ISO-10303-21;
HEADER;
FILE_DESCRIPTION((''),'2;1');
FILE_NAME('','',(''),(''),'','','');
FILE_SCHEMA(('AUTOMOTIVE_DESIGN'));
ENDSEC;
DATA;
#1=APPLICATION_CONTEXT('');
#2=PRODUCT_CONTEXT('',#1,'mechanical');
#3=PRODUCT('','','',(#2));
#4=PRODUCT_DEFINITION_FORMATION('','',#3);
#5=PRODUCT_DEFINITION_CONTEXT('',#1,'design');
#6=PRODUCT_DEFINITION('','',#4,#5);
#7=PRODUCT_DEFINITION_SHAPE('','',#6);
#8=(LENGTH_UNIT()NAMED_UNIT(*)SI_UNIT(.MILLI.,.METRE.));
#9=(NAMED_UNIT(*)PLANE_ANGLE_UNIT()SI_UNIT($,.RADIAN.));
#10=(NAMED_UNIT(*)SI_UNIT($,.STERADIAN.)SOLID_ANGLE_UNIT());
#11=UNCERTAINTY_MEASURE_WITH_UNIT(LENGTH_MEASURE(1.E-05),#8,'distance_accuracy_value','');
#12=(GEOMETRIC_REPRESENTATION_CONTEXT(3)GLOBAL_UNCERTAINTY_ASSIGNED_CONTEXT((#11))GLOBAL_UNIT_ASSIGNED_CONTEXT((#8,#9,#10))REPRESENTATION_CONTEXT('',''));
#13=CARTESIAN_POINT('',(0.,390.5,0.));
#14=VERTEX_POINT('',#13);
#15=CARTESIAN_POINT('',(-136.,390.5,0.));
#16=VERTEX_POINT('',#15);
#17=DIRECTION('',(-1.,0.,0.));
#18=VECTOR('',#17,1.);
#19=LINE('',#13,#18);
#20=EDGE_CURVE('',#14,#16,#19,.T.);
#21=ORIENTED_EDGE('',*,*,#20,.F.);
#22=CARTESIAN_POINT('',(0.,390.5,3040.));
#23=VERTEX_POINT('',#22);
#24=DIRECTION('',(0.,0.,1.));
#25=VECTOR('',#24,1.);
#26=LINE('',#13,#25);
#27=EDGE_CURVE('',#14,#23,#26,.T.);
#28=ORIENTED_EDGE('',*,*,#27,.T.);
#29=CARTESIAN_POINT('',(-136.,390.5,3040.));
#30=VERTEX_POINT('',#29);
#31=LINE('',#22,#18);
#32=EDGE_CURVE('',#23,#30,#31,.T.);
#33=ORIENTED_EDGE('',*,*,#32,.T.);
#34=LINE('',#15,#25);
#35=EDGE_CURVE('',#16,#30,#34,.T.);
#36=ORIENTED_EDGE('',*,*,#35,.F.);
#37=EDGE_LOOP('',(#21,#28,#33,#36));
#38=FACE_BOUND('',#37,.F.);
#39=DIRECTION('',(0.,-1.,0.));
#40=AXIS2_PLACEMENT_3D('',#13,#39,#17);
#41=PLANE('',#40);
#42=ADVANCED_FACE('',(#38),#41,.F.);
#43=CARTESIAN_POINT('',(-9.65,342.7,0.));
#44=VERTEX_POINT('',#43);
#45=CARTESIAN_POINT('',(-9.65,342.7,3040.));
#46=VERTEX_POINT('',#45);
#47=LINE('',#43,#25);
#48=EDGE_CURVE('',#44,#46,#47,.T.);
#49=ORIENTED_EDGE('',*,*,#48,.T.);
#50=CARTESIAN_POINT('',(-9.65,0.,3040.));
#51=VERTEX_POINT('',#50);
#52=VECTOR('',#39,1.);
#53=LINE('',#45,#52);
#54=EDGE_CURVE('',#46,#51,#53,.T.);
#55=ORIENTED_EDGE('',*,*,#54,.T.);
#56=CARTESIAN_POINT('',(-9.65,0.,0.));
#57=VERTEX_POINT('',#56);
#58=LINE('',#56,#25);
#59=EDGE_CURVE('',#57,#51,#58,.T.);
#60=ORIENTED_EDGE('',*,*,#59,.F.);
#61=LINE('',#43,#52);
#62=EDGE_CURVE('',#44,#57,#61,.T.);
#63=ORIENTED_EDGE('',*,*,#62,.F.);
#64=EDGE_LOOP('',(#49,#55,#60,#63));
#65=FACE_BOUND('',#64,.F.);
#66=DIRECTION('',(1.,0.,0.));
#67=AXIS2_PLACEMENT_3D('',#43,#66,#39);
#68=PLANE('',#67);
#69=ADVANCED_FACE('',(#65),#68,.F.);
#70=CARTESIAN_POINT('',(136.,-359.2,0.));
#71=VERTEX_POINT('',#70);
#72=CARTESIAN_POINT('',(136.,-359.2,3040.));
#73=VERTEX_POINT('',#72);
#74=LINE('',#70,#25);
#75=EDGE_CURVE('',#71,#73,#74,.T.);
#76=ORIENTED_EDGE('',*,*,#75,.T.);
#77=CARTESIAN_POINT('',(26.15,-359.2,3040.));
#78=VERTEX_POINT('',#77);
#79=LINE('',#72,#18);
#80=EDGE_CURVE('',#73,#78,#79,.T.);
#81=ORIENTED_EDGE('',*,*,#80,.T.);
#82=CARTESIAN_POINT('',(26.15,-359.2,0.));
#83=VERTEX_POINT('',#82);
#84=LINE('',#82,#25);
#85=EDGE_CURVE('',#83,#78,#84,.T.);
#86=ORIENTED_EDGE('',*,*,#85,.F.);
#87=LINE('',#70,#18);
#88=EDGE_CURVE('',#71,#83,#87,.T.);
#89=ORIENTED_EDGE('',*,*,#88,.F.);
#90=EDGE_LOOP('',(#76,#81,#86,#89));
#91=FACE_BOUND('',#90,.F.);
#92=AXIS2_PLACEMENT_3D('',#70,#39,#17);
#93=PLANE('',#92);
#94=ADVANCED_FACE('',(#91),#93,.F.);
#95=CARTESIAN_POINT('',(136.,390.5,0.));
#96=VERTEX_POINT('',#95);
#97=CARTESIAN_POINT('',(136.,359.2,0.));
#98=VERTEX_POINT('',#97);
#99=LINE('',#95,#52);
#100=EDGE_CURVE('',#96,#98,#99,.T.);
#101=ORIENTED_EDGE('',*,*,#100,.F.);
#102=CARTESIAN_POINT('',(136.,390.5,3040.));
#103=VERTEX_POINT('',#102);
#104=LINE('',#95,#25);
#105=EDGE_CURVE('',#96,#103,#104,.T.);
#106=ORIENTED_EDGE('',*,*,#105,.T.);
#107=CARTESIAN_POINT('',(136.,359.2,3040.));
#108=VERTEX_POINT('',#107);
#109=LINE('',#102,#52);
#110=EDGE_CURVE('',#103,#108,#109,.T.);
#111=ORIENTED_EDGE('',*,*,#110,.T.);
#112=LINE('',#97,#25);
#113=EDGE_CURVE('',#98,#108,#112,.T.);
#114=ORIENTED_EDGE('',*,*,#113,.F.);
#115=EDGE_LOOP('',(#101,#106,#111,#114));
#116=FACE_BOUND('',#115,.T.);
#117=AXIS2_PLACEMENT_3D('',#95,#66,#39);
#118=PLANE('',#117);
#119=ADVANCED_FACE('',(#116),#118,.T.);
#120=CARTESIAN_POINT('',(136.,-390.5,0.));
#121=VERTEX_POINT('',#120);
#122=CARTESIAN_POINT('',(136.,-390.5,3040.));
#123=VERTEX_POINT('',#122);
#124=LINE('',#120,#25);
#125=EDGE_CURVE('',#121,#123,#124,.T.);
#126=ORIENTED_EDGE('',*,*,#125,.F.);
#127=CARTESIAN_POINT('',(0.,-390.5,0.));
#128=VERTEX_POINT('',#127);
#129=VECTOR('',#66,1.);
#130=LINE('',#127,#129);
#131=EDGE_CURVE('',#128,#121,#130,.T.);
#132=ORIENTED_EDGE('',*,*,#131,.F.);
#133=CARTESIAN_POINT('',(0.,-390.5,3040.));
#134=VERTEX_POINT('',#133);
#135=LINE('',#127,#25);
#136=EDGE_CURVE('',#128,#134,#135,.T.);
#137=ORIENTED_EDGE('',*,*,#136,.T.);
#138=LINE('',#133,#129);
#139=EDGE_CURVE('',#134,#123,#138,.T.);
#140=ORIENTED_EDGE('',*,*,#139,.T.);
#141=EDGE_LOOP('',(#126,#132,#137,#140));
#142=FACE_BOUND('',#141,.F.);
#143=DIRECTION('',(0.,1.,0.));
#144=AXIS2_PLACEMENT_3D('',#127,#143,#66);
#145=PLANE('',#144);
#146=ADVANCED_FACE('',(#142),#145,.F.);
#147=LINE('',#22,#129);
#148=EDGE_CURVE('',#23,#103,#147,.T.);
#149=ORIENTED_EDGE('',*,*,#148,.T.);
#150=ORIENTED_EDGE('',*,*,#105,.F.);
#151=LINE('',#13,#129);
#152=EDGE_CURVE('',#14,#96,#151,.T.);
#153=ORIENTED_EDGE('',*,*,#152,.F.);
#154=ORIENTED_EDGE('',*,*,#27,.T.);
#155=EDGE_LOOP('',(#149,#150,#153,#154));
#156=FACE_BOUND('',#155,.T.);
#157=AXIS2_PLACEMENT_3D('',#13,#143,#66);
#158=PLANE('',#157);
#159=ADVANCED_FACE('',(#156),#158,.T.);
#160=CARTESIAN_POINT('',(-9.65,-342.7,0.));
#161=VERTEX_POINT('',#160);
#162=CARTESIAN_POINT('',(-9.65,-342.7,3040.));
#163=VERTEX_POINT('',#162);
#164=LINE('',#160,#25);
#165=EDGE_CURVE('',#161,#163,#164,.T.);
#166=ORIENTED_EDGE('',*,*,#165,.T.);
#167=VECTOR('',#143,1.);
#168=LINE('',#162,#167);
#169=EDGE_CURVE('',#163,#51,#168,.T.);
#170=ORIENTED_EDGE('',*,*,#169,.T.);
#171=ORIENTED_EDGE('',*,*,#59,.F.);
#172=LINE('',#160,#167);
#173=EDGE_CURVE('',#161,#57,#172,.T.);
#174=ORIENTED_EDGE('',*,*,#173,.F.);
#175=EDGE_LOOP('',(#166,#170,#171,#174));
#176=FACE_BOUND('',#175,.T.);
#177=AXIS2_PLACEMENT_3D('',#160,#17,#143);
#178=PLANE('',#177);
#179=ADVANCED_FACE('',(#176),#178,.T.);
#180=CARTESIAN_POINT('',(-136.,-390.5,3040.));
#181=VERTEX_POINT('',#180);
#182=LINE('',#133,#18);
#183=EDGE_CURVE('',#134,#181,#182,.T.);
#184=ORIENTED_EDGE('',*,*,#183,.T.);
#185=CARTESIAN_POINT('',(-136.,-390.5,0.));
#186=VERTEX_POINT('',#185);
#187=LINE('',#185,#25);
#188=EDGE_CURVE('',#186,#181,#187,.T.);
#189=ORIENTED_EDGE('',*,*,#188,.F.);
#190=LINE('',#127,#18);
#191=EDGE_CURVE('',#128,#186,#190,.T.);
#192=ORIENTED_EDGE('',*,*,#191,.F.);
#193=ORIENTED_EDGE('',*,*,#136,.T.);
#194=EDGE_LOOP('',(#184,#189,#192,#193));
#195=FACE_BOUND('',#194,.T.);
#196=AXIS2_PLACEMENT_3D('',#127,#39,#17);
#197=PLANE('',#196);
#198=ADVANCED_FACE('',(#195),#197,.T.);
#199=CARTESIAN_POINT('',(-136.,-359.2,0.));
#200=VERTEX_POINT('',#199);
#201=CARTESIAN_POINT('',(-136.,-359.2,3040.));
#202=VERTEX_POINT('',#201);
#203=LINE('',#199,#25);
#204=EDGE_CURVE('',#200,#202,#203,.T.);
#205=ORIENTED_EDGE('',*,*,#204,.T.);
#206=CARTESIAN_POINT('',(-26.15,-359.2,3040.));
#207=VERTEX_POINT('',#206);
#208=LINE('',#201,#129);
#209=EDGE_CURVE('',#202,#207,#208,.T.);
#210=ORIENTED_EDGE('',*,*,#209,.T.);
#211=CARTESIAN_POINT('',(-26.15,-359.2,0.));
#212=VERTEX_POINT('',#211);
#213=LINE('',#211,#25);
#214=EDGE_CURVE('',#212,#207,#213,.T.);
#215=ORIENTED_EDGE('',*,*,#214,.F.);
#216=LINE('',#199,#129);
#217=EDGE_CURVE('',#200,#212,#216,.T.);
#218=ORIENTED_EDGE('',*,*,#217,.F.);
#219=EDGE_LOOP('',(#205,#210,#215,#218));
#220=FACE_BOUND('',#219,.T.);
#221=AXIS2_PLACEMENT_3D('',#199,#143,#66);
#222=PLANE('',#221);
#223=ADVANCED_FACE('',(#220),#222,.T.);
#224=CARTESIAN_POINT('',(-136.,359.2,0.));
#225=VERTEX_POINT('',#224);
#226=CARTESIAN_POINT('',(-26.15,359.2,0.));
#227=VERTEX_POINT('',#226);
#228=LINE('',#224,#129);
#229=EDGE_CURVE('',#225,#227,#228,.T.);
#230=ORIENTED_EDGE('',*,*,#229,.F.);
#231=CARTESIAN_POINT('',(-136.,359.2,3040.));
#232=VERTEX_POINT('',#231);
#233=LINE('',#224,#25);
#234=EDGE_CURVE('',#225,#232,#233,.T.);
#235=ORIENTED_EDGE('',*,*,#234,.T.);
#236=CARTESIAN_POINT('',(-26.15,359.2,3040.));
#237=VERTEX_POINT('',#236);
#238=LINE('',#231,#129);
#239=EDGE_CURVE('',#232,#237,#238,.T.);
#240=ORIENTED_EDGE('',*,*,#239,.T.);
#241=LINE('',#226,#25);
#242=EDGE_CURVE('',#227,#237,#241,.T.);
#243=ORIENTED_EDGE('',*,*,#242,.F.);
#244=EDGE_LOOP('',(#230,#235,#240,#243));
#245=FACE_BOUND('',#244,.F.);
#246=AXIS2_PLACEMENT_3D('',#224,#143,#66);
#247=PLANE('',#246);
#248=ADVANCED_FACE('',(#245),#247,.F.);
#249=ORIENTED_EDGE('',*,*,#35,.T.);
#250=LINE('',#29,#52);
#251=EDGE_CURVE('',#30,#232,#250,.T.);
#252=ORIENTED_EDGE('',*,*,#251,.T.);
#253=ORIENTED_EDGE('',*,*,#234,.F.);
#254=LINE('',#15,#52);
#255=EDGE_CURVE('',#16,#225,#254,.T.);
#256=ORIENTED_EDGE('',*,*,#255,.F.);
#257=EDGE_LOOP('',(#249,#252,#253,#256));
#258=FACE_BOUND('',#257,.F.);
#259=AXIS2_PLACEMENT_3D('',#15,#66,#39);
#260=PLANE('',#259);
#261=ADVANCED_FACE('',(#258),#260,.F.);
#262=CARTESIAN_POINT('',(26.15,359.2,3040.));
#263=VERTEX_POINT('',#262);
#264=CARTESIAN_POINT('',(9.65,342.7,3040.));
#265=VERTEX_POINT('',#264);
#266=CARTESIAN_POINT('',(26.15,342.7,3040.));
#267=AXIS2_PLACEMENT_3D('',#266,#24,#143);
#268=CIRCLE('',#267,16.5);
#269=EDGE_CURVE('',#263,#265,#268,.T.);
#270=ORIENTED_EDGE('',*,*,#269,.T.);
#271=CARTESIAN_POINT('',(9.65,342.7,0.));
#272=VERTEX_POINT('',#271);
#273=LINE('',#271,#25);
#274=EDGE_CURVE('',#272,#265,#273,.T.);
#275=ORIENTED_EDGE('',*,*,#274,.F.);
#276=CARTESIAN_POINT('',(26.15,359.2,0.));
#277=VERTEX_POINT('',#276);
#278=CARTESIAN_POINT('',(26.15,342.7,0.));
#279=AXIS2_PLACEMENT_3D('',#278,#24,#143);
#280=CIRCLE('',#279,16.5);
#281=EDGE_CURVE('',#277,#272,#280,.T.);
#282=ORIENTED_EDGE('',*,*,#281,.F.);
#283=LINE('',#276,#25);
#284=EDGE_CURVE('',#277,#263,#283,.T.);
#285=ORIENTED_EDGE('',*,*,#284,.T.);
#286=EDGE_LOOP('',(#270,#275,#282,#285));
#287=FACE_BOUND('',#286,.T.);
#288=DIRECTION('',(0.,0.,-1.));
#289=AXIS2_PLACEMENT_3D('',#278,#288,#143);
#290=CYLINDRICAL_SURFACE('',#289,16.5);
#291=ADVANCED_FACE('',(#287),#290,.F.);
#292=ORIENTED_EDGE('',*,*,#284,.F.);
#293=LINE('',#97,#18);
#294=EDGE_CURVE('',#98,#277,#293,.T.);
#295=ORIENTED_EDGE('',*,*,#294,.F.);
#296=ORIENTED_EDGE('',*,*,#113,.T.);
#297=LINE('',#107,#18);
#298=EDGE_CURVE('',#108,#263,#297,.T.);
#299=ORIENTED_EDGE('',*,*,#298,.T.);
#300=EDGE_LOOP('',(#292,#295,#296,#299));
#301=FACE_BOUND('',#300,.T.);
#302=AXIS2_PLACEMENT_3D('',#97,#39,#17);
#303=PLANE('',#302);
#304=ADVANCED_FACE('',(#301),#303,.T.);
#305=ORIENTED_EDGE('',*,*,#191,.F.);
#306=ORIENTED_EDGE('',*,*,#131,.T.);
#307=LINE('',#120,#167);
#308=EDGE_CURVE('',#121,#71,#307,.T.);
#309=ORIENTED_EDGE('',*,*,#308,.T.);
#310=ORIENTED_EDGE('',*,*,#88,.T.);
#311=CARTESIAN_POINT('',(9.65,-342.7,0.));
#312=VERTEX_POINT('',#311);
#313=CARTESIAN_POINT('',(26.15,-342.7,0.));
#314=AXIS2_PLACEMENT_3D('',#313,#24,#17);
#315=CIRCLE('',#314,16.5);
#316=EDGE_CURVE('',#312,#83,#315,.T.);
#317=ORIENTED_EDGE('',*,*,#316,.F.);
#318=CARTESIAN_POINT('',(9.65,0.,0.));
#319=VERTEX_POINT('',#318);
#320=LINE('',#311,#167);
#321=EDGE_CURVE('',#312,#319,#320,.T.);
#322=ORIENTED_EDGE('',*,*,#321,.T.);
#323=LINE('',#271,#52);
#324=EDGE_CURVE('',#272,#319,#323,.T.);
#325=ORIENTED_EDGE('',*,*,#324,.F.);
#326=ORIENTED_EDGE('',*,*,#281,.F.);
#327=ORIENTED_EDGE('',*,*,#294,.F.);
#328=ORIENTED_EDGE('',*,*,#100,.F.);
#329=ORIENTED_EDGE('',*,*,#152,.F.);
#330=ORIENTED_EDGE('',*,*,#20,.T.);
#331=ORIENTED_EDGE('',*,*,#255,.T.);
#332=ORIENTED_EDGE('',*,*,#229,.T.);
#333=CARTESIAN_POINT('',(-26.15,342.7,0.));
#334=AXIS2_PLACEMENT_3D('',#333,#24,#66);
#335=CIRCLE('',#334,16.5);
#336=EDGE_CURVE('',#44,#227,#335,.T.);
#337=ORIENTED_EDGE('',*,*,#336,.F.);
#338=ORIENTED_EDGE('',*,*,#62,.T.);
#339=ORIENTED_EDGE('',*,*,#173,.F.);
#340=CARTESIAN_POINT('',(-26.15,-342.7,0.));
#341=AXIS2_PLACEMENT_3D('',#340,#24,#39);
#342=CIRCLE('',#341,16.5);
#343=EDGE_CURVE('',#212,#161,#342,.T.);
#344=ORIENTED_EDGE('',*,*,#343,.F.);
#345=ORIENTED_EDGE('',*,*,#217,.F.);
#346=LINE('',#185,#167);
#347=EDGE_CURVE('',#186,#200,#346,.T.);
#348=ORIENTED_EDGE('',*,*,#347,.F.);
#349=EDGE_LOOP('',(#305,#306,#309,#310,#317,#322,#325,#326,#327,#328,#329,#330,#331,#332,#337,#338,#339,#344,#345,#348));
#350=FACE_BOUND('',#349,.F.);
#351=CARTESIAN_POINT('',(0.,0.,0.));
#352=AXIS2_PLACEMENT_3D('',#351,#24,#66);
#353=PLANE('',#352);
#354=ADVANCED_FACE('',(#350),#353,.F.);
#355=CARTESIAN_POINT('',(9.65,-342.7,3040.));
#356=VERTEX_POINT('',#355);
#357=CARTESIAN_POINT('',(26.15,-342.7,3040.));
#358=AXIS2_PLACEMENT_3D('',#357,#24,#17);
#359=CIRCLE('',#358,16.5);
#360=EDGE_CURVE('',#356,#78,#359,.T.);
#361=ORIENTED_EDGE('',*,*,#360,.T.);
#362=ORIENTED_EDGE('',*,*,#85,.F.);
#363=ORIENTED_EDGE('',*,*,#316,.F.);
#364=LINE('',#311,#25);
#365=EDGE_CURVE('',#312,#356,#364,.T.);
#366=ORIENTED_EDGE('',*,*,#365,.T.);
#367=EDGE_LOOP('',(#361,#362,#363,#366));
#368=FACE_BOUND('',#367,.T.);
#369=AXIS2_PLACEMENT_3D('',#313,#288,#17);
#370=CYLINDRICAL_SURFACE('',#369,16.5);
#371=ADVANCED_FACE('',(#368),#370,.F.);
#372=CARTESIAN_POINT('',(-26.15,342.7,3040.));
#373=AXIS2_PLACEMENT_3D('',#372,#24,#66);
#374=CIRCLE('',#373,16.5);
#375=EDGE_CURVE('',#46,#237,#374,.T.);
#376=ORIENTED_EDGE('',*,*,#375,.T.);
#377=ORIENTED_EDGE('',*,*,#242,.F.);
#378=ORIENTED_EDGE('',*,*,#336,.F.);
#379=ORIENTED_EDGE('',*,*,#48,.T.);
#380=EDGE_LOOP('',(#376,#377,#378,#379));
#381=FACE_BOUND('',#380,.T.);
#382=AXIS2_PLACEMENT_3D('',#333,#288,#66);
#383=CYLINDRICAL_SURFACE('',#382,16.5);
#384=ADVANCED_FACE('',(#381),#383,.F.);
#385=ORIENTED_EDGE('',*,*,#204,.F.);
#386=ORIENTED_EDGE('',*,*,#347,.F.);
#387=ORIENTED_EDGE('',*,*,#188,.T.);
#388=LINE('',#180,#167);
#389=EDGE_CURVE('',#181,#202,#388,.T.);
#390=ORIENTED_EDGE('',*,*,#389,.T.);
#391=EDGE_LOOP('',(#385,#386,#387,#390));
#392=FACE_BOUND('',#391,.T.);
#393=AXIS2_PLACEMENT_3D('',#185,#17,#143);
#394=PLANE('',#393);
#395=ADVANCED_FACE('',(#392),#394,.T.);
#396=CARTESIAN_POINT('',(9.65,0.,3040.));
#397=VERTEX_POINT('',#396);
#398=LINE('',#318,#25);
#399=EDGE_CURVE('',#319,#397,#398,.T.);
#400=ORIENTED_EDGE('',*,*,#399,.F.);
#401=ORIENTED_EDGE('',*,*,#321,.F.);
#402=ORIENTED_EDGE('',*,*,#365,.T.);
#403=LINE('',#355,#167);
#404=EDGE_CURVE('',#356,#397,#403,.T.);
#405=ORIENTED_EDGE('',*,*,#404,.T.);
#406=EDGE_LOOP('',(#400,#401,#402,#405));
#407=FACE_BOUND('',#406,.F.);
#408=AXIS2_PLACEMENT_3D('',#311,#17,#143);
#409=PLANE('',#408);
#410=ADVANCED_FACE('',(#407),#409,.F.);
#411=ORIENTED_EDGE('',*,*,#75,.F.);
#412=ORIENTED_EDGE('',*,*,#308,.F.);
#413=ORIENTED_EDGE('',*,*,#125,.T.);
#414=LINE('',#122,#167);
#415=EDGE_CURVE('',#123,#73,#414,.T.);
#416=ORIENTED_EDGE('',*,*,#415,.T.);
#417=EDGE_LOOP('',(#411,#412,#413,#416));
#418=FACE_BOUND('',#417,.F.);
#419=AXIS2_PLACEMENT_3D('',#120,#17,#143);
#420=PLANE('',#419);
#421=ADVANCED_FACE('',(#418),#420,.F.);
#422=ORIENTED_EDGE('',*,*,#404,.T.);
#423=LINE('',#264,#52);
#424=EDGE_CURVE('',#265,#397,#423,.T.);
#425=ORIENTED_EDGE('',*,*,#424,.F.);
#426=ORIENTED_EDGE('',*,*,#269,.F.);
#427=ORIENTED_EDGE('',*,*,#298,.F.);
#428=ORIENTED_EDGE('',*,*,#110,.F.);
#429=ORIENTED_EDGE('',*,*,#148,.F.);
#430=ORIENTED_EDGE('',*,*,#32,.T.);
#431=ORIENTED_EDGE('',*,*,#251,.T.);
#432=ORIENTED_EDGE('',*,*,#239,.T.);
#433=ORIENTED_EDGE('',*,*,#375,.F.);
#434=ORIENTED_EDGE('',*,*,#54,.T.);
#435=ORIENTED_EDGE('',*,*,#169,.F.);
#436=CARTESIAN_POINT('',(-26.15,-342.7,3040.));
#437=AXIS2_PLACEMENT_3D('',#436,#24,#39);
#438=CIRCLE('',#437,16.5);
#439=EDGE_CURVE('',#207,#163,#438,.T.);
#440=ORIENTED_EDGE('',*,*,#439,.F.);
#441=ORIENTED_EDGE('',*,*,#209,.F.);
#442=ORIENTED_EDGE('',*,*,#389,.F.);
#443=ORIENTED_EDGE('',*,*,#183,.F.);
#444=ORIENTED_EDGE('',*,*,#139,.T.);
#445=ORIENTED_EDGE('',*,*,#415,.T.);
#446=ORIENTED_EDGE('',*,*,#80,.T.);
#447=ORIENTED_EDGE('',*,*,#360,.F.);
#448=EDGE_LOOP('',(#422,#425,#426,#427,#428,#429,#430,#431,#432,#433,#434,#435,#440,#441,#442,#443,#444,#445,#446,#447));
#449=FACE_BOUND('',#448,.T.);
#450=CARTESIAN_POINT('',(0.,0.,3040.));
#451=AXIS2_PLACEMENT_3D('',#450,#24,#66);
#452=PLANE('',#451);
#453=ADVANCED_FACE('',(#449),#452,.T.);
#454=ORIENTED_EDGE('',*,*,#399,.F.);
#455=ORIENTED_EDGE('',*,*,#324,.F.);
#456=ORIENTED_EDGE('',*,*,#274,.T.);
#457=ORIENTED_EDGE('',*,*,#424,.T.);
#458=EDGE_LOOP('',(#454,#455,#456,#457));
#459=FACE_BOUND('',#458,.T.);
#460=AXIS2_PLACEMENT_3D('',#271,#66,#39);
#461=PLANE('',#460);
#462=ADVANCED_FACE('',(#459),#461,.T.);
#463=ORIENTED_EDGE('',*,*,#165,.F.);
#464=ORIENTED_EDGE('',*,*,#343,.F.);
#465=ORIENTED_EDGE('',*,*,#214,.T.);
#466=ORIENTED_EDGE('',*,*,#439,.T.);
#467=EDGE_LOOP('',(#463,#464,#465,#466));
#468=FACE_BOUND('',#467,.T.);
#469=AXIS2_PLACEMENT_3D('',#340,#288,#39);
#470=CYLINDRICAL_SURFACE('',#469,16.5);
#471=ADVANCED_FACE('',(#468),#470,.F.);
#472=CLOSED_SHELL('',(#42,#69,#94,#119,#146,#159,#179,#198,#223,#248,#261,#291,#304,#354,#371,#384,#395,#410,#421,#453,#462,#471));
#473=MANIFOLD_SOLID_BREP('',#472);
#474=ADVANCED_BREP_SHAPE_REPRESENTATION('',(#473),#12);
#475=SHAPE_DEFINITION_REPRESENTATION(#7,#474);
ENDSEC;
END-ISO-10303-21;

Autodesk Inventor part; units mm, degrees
ref_plane "YZ Plane" through (0, 0, 0) normal (1, 0, 0) x (0, 1, 0)
ref_plane "Start plane" through (0, 0, 0) normal (0, 0, 1) x (1, 0, 0)
ref_plane "End plane" through (0, 0, 3040) normal (0, 0, 1) x (1, 0, 0)
sketch "Sketch" plane through (0, 0, 0) normal (0, 0, 1) x (1, 0, 0)
  line L0 (-136, -390.5) -> (-136, -359.2)
  line L1 (-136, -359.2) -> (-26.15, -359.2)
  line L2 (-9.65, -342.7) -> (-9.65, 0)
  line L3 (-9.65, 0) -> (0, 0) construction
  line L4 (0, 0) -> (0, -390.5) construction
  line L5 (0, -390.5) -> (-136, -390.5)
  line L6 (-60, 0) -> (80, 0) construction
  line L7 (0, -60) -> (0, 80) construction
  line L8 (136, -390.5) -> (136, -359.2)
  line L9 (136, -359.2) -> (26.15, -359.2)
  line L10 (9.65, -342.7) -> (9.65, 0)
  line L11 (9.65, 0) -> (0, 0) construction
  line L12 (0, -390.5) -> (136, -390.5)
  line L13 (-136, 390.5) -> (-136, 359.2)
  line L14 (-136, 359.2) -> (-26.15, 359.2)
  line L15 (-9.65, 342.7) -> (-9.65, 0)
  line L16 (0, 390.5) -> (-136, 390.5)
  line L17 (136, 390.5) -> (136, 359.2)
  line L18 (136, 359.2) -> (26.15, 359.2)
  line L19 (0, 390.5) -> (136, 390.5)
  line L20 (9.65, 342.7) -> (9.65, 0)
  arc A0 (-9.65, 342.7) -> (-26.15, 359.2) centre (-26.15, 342.7) ccw
  arc A1 (26.15, 359.2) -> (9.65, 342.7) centre (26.15, 342.7) ccw
  arc A2 (9.65, -342.7) -> (26.15, -359.2) centre (26.15, -342.7) ccw
  arc A3 (-26.15, -359.2) -> (-9.65, -342.7) centre (-26.15, -342.7) ccw
  line L21 (0, 108) -> (0, -88) construction
  line L22 (-88, 0) -> (108, 0) construction
  point P0 (-9.65, -359.2)
  point P1 (9.65, -359.2)
  point P2 (-9.65, 359.2)
  point P3 (9.65, 359.2)
  dimension "d1" = 390.5
  dimension "d2" = 31.3
  dimension "d3" = 136
  dimension "d4" = 9.65
  dimension "d10" = 16.5
extrude "Body" add sketch "Sketch" along normal up to surface (3040 mm away) from surface at 0
sketch "Sketch4" plane through (0, 0, 0) normal (0, 0, 1) x (1, 0, 0)
  line L0 (0, 0) -> (10, 0)
ref_plane "Work Plane3" through (0, 0, 0) normal (0, -1, 0) x (1, 0, 0)
sketch "Sketch5" plane through (0, 0, 0) normal (0, -1, 0) x (1, 0, 0)
  line L0 (-2, 0) -> (12, 0) projected
  line L1 (-2, 3040) -> (12, 3040) projected
  dimension "d14" = 3040
equation "\"d1\" = 0.5 * G_H"
equation "\"d2\" = G_T1"
equation "\"d3\" = 0.5 * G_W"
equation "\"d4\" = 0.5 * G_T"
equation "\"d10\" = G_IR"
equation "\"d5\" = G_L"
equation "\"G_W\" = 272"
equation "\"G_H\" = 781"
equation "\"G_T\" = 19.3"
equation "\"G_T1\" = 31.3"
equation "\"G_IR\" = 16.5"
equation "\"G_L\" = d14"
equation "\"G_OFFSET_START\" = 0"
equation "\"G_OFFSET_END\" = 0"
properties part number "AS 3679-1990 - 760 UB - 244 - 3040" material "Steel, Mild"
